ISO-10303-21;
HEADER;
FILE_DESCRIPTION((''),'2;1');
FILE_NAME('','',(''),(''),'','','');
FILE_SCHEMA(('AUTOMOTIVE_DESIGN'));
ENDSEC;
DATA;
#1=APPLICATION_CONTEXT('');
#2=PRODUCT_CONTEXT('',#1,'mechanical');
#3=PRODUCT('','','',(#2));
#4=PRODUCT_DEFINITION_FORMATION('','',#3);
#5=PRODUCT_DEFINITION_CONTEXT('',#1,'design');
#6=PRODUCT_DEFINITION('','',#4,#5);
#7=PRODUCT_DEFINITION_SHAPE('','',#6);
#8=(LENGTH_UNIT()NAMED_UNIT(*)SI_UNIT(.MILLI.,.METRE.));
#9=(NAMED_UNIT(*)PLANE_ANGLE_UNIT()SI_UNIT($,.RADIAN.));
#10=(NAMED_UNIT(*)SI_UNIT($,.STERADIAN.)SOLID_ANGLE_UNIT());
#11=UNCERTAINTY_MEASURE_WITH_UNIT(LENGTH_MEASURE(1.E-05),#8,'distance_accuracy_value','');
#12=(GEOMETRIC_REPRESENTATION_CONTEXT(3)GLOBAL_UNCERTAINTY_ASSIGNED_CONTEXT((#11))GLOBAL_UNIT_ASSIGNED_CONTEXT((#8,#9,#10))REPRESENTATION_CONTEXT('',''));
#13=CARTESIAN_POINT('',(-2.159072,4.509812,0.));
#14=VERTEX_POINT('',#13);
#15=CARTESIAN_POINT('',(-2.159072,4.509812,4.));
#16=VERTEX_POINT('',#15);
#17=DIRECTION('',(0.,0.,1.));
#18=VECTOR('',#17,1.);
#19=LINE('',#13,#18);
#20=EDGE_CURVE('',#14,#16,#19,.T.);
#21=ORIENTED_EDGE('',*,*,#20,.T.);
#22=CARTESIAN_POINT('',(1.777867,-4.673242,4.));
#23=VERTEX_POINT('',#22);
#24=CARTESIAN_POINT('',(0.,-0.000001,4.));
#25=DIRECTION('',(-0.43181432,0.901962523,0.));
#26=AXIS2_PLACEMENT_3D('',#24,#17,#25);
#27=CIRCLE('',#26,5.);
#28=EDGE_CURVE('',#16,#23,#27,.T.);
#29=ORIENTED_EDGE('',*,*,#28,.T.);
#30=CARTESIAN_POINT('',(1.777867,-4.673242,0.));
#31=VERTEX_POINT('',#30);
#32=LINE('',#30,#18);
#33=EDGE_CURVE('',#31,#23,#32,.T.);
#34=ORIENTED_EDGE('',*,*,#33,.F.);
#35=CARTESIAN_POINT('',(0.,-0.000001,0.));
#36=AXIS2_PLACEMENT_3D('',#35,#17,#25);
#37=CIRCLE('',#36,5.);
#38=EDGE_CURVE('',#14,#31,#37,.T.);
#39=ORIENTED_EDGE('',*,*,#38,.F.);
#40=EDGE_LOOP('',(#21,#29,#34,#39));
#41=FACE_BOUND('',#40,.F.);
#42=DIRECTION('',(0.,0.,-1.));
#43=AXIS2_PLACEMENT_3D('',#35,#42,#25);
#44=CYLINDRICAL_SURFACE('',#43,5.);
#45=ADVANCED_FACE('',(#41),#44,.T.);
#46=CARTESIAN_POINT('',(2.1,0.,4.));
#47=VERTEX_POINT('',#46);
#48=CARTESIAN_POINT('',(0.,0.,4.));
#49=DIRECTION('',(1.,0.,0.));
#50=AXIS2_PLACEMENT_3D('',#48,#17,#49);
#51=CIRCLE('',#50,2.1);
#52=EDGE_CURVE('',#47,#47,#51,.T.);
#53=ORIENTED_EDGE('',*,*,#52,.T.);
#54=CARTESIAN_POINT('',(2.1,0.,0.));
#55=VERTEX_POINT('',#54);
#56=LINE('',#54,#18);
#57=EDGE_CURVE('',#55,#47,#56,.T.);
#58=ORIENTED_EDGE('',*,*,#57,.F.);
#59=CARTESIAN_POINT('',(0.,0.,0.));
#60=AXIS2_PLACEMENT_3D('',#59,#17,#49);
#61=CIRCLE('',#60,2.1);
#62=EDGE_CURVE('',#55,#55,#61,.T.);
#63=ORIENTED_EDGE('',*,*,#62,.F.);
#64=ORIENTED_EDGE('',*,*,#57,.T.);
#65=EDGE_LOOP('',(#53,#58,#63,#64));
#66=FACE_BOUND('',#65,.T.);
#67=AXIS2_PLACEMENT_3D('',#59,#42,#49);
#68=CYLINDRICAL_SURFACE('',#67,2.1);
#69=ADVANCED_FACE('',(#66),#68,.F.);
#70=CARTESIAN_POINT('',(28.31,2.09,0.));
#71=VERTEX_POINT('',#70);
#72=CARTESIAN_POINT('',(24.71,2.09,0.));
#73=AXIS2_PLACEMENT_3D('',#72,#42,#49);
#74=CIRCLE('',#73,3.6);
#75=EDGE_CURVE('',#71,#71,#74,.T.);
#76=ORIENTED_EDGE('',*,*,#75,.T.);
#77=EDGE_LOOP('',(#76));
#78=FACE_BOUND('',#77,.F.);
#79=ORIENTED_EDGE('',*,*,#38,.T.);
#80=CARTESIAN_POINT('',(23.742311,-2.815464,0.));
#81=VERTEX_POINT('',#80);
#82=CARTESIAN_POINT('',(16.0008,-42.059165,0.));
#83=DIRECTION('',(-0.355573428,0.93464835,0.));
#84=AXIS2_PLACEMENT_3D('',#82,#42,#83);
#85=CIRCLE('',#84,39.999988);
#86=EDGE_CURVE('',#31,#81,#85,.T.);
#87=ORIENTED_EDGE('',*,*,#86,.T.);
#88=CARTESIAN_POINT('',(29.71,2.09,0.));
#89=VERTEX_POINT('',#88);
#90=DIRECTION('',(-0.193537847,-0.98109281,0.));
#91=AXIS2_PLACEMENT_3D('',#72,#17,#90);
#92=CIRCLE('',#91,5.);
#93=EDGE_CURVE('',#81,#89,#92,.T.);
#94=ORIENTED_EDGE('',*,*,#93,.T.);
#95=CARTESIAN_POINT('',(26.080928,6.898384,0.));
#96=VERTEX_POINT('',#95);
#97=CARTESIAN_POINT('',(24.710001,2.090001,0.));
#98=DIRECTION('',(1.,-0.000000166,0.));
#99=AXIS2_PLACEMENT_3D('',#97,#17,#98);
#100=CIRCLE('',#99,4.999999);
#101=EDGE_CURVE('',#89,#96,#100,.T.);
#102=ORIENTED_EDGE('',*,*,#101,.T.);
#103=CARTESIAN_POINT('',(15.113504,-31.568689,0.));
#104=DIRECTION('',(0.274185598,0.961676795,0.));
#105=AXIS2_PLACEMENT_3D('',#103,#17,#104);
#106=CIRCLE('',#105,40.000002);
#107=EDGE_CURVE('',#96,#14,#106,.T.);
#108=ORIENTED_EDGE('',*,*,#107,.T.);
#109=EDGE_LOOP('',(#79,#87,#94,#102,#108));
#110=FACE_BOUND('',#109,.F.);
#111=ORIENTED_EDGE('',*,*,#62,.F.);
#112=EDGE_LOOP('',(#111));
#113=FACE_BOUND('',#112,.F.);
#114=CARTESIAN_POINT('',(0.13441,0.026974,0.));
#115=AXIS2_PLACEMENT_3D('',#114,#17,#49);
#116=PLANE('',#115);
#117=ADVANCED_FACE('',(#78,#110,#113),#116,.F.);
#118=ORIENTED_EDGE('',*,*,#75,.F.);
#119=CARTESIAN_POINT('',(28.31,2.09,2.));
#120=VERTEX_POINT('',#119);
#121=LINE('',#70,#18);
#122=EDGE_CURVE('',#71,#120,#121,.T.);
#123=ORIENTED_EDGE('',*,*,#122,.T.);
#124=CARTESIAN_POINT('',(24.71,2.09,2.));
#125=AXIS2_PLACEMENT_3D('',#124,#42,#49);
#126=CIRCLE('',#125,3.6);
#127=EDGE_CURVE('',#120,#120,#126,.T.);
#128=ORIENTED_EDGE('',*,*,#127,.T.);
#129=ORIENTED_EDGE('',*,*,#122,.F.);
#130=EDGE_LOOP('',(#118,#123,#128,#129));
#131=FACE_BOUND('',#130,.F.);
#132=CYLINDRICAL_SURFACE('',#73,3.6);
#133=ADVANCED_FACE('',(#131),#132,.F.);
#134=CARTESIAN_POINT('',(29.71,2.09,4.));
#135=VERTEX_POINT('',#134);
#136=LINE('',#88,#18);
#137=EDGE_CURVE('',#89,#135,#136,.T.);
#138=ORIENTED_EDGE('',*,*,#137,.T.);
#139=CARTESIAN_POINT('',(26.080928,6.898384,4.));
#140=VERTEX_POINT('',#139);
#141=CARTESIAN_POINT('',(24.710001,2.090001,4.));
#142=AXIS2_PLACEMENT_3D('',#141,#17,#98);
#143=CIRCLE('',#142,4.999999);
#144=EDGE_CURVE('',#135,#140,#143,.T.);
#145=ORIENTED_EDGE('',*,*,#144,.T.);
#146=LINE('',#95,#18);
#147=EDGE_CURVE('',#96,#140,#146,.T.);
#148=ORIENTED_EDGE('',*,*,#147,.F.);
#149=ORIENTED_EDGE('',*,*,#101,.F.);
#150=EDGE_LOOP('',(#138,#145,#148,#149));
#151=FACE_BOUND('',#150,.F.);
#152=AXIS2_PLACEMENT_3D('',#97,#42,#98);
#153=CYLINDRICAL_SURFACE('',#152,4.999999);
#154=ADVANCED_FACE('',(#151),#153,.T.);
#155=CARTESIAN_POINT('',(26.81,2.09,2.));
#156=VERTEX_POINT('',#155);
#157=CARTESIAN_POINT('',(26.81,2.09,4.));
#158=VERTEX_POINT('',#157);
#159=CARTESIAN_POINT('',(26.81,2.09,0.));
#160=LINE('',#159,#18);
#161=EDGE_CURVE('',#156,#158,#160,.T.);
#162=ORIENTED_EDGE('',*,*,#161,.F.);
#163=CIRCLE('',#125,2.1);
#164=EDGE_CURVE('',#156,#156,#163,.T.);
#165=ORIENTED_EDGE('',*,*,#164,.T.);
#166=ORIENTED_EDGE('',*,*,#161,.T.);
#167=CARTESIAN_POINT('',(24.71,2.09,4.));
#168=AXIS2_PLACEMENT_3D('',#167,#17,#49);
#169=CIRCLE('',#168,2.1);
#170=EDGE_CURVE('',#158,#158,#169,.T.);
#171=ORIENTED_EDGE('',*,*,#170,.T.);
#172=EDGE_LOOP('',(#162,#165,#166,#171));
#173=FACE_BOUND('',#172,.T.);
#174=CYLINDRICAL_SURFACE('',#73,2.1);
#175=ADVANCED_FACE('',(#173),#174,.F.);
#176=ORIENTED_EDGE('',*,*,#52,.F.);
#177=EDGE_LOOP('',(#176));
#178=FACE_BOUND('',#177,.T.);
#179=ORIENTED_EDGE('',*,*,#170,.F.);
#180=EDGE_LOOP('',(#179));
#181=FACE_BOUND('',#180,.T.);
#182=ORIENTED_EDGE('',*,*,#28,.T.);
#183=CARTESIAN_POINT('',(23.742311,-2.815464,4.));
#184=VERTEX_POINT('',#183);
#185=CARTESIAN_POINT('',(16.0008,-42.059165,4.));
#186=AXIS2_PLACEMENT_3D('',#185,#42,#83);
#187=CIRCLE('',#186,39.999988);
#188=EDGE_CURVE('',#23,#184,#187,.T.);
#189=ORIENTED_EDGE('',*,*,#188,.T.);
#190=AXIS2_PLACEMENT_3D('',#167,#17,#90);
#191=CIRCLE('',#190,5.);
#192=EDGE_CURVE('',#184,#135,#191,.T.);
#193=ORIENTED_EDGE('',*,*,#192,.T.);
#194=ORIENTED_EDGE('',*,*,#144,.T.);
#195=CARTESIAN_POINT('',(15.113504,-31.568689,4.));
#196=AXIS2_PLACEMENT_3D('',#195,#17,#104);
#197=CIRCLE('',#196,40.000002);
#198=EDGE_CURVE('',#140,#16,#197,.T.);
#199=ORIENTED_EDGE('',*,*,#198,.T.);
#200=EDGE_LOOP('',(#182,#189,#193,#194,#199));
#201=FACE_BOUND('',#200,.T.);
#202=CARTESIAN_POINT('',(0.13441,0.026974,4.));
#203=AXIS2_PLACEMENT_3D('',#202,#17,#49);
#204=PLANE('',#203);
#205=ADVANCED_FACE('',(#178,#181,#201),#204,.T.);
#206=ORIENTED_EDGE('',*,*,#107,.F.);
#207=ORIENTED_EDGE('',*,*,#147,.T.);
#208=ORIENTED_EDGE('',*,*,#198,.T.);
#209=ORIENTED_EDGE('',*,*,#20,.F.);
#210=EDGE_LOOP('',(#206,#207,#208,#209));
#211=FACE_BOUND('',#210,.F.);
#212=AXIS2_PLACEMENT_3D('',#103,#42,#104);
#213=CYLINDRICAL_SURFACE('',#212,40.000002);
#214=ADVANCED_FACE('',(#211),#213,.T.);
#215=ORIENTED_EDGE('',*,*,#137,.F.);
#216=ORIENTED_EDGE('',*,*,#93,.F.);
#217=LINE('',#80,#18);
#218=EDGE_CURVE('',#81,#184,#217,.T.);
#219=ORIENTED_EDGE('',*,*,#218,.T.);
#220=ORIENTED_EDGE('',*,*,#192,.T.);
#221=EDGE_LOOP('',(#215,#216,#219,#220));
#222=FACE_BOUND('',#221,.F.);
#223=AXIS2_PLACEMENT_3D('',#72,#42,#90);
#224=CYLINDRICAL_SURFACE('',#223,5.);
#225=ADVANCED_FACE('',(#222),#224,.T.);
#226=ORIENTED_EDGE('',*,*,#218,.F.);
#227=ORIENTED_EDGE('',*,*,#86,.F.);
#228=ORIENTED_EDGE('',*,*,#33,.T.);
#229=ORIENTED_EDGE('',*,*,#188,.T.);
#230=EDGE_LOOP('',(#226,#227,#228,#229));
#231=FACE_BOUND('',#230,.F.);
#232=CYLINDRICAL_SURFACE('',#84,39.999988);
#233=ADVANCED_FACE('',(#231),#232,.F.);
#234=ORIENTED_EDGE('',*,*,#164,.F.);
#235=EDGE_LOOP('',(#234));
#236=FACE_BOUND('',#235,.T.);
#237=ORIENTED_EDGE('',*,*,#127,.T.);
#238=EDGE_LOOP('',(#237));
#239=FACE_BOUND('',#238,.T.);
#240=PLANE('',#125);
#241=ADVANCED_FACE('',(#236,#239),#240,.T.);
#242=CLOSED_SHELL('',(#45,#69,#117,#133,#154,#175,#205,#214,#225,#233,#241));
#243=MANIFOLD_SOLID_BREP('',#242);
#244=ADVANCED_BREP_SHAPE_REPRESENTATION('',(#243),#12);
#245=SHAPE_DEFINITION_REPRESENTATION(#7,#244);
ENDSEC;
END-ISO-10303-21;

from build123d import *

# Parameters (mm, degrees)
F0_R     = 2.1
F1_DEPTH = 4
F2_R     = 3.6
F3_DEPTH = 2


with BuildPart() as f1:
    # F0 (on Top) → F1 (new body)
    with BuildSketch(Plane.XY):
        with BuildLine():
            ThreePointArc((1.777867, -4.673242), (4.11639, -2.838192), (5, 0))
            ThreePointArc((5, 0), (2.665018, 4.230565), (-2.159072, 4.509812))
            ThreePointArc((-2.159072, 4.509812), (-4.595482, -1.970165), (1.777867, -4.673242))
        make_face()
        Circle(F0_R, mode=Mode.SUBTRACT)
        with BuildLine():
            ThreePointArc((-2.159072, 4.509812), (2.665018, 4.230565), (5, 0))
            ThreePointArc((5, 0), (4.11639, -2.838192), (1.777867, -4.673242))
            ThreePointArc((1.777867, -4.673242), (12.629592, -2.201493), (23.742311, -2.815464))
            ThreePointArc((23.742311, -2.815464), (19.848893, 3.260316), (26.080928, 6.898384))
            ThreePointArc((26.080928, 6.898384), (11.742295, 8.288996), (-2.159072, 4.509812))
        make_face()
        with BuildLine():
            ThreePointArc((29.71, 2.09), (28.700905, 5.102089), (26.080928, 6.898384))
            ThreePointArc((26.080928, 6.898384), (19.848893, 3.260316), (23.742311, -2.815464))
            ThreePointArc((23.742311, -2.815464), (27.885024, -1.772541), (29.71, 2.09))
        make_face()
        with Locations((24.71, 2.09)):
            Circle(F0_R, mode=Mode.SUBTRACT)
    extrude(amount=F1_DEPTH)

    # F2 (on face) → F3 (cut)
    with BuildSketch(Plane(origin=(0, 0, 0), x_dir=(1, 0, 0), z_dir=(0, 0, -1))):
        with Locations((24.71, -2.09)):
            Circle(F2_R)
    extrude(amount=-F3_DEPTH, mode=Mode.SUBTRACT)


solid = f1.part
